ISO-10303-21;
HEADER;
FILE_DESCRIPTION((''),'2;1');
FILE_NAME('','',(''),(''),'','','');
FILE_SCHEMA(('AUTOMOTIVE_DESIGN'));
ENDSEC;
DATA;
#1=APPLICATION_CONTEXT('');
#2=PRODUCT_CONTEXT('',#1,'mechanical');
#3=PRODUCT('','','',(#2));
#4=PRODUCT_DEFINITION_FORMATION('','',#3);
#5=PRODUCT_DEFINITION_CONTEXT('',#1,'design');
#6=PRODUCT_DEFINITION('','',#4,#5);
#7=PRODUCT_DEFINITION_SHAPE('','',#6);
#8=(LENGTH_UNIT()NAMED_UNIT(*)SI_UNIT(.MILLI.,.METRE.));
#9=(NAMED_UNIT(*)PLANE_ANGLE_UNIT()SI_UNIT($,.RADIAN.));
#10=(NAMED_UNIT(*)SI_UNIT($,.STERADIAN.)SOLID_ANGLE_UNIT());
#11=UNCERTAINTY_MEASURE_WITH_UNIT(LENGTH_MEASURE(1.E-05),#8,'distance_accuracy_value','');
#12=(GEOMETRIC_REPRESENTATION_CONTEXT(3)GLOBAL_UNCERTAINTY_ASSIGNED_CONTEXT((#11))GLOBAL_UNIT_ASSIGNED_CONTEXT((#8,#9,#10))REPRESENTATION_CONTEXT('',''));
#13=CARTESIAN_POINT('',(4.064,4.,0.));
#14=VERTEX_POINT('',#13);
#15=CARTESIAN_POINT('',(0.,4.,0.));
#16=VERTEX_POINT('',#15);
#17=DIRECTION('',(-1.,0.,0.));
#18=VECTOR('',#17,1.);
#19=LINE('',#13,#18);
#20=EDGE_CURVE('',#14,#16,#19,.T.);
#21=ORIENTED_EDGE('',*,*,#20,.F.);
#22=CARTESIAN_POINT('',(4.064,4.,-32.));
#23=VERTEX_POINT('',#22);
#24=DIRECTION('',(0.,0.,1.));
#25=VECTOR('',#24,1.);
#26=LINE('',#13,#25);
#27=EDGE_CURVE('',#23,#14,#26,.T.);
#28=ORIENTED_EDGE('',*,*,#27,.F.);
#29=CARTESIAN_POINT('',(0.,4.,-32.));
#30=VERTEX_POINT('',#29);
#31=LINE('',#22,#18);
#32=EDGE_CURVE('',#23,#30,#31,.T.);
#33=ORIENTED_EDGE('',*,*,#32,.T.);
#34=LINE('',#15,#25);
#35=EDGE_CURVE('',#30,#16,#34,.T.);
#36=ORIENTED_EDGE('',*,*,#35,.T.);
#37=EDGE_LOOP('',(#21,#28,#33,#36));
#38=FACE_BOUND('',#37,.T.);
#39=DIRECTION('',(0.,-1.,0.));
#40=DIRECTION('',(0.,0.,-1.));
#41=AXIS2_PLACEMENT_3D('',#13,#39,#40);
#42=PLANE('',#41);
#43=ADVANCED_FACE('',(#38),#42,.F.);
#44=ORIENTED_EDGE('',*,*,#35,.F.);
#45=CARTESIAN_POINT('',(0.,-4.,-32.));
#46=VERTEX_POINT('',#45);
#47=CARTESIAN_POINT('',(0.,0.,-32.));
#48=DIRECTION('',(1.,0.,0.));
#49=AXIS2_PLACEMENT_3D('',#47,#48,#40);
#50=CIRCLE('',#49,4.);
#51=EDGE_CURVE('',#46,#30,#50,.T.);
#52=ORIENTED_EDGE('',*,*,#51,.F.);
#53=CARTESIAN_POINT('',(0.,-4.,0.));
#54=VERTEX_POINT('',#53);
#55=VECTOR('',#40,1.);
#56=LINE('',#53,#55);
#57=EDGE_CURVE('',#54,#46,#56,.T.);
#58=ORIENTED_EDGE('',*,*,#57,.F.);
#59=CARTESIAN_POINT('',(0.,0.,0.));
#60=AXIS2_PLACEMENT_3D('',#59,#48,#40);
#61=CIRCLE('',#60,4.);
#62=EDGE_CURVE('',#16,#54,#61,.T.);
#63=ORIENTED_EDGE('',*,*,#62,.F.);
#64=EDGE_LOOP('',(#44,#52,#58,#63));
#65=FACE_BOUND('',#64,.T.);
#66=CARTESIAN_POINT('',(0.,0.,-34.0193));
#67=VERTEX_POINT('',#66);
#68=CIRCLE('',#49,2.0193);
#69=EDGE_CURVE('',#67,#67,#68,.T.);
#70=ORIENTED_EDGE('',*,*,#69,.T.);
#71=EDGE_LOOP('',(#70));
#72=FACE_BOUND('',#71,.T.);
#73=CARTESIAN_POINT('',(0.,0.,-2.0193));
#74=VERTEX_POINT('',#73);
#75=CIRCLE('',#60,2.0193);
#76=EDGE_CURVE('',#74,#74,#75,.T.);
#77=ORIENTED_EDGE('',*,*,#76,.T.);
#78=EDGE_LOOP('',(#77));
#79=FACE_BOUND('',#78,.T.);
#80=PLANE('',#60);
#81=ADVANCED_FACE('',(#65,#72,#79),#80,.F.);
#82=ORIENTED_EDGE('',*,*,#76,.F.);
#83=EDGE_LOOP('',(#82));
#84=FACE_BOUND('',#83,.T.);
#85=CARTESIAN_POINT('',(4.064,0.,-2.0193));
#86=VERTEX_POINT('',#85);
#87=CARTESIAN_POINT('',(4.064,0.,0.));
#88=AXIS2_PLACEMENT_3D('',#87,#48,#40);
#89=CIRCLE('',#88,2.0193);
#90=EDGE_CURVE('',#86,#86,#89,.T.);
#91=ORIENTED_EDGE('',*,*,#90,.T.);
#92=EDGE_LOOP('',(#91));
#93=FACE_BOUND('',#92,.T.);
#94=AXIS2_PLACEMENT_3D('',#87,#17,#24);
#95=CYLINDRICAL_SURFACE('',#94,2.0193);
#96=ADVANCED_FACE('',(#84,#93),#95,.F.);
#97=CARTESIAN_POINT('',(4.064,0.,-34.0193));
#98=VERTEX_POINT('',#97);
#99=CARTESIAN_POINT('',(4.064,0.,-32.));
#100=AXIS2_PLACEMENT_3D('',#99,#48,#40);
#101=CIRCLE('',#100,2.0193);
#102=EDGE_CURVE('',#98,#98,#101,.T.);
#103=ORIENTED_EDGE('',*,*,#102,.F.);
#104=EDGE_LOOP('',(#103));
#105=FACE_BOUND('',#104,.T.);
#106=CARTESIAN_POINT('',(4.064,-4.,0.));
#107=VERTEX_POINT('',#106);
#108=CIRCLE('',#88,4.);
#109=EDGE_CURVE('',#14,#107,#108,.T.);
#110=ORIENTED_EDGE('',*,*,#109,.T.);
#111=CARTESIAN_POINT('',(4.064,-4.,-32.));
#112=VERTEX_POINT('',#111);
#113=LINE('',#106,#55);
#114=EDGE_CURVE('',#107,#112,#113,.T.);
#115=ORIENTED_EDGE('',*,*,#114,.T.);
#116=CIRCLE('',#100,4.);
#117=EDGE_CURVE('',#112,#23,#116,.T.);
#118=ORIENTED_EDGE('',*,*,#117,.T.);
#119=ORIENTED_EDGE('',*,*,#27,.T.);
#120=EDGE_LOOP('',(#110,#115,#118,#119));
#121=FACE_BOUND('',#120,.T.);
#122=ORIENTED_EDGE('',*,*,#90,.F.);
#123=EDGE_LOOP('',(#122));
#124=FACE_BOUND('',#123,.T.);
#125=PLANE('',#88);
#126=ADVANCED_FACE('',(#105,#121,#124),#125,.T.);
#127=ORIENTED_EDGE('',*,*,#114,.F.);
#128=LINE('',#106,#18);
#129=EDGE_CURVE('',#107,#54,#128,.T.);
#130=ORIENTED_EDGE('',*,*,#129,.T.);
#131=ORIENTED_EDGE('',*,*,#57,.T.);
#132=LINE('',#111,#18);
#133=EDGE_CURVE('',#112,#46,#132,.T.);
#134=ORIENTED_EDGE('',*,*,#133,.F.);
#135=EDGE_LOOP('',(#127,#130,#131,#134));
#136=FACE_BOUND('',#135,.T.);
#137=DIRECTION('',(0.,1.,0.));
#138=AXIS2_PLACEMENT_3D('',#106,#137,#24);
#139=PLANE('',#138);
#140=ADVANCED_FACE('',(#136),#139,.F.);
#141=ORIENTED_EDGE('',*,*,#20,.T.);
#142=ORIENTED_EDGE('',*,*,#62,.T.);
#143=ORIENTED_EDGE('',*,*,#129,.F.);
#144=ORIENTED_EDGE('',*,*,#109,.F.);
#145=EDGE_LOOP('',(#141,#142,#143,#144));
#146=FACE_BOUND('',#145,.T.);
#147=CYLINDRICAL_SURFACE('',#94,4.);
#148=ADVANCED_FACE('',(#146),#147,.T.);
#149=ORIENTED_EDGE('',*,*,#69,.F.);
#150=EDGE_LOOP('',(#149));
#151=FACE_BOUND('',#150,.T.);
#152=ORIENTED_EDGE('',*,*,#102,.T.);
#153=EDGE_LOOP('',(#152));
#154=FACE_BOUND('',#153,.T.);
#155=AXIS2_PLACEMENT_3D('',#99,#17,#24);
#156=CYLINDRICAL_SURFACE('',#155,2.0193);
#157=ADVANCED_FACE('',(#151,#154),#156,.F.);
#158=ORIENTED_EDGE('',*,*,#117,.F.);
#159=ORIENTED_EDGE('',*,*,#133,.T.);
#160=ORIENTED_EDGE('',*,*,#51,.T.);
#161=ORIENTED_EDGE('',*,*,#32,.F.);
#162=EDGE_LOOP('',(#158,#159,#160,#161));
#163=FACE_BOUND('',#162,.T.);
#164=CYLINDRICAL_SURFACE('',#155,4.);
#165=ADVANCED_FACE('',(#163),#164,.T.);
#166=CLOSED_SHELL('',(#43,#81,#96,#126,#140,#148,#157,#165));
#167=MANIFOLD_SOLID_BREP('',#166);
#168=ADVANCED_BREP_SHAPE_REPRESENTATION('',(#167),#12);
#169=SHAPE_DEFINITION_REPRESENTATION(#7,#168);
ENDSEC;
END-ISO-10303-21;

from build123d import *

# Parameters (mm, degrees)
SKETCH1_R           = 2.0193
BOSS_EXTRUDE1_DEPTH = 4.064


with BuildPart() as part:
    # Sketch1 → Boss-Extrude1 (new body)
    with BuildSketch(Plane(origin=(0, 0, 0), x_dir=(0, 0, -1), z_dir=(1, 0, 0))):
        with BuildLine():
            Line((0, 4), (32, 4))
            ThreePointArc((32, 4), (36, 0), (32, -4))
            Line((32, -4), (0, -4))
            ThreePointArc((0, -4), (-4, 0), (0, 4))
        make_face()
        Circle(SKETCH1_R, mode=Mode.SUBTRACT)
        with Locations((32, 0)):
            Circle(SKETCH1_R, mode=Mode.SUBTRACT)
    extrude(amount=BOSS_EXTRUDE1_DEPTH)


solid = part.part
